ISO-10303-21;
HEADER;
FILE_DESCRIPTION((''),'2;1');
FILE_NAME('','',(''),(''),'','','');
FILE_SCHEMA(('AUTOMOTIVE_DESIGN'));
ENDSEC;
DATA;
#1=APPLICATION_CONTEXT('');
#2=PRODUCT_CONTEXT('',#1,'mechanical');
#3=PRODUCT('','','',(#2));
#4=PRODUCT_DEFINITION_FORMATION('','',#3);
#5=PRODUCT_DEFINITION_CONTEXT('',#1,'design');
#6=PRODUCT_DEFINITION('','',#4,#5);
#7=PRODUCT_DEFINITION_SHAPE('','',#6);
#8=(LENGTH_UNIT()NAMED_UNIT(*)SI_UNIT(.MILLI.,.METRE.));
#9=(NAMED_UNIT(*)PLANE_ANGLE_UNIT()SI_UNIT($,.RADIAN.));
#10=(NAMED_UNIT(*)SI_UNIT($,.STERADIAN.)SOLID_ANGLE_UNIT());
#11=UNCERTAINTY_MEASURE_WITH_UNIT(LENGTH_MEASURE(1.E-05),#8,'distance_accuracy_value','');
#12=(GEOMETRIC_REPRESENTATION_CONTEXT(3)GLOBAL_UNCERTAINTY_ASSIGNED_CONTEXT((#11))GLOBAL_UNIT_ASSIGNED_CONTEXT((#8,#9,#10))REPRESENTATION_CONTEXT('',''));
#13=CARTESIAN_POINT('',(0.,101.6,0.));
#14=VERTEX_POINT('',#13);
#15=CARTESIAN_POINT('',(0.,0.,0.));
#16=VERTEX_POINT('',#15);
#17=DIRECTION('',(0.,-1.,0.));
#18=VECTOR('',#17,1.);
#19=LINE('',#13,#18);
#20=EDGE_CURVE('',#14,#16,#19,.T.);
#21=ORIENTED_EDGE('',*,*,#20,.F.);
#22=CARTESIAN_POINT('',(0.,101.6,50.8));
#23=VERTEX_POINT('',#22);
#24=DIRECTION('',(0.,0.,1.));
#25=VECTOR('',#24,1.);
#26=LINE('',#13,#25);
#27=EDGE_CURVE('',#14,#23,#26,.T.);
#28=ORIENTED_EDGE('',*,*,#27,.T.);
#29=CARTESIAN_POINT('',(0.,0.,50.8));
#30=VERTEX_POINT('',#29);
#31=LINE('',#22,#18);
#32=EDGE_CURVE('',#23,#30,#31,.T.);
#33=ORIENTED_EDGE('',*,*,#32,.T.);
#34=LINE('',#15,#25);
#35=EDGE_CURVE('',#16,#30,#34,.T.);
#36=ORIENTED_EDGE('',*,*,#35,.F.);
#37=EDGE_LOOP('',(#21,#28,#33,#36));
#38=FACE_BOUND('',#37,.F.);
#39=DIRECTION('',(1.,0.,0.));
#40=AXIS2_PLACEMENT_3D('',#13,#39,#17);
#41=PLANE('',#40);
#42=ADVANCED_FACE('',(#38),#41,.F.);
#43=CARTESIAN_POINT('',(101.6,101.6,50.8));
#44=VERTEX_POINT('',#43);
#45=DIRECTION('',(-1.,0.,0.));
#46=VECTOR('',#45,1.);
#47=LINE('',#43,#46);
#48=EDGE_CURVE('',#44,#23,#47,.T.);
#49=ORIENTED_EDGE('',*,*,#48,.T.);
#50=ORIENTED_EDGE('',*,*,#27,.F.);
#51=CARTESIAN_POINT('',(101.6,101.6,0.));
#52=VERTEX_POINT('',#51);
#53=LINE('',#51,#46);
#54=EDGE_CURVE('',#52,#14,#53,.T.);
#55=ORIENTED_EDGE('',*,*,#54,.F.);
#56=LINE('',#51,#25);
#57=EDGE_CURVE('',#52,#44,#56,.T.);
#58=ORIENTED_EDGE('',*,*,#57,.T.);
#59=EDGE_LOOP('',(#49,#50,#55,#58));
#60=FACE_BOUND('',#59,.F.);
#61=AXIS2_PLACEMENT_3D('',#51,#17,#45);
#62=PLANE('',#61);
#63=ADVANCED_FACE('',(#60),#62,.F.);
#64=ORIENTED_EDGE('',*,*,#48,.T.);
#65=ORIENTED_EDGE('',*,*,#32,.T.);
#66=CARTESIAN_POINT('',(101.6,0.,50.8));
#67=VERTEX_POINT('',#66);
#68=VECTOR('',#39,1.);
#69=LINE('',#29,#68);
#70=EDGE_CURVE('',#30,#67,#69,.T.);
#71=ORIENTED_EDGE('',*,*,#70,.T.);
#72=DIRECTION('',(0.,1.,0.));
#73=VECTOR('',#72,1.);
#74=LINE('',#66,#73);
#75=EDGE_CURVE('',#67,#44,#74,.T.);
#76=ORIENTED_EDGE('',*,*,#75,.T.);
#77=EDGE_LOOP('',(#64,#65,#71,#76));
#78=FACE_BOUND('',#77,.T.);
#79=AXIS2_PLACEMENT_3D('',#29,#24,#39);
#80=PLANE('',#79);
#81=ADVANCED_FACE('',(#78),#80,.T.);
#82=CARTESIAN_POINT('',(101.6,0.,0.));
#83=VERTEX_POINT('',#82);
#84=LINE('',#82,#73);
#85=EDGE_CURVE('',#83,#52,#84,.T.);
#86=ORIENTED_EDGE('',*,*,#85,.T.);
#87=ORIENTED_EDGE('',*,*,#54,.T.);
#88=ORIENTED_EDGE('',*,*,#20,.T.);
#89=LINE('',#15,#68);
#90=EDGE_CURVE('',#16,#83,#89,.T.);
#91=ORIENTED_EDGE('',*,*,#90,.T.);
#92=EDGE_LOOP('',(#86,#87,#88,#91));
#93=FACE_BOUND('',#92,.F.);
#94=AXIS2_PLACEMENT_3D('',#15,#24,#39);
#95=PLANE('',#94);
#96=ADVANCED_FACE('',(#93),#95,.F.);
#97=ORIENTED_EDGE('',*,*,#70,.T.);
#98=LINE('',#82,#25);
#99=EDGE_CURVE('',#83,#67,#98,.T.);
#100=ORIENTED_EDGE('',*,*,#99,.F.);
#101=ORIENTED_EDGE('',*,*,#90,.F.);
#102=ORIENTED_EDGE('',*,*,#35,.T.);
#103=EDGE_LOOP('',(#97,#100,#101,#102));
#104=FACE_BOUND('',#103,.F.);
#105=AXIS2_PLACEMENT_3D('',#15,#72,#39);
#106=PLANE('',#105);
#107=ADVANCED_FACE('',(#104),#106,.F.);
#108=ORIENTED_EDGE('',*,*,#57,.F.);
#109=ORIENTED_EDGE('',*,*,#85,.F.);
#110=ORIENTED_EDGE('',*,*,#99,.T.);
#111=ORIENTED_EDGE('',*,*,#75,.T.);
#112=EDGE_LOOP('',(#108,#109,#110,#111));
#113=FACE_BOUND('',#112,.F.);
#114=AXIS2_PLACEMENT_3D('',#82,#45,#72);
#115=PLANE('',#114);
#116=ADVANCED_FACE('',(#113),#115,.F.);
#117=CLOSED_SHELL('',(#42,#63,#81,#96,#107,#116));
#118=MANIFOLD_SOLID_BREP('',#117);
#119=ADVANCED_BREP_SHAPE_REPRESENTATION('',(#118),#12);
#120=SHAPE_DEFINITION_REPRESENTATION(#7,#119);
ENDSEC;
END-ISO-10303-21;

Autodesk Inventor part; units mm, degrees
ref_plane "YZ Plane" through (0, 0, 0) normal (1, 0, 0) x (0, 1, 0)
ref_plane "XZ Plane" through (0, 0, 0) normal (0, 1, 0) x (-1, 0, 0)
ref_plane "XY Plane" through (0, 0, 0) normal (0, 0, 1) x (1, 0, 0)
sketch "Sketch1" plane through (0, 0, 0) normal (0, 0, 1) x (1, 0, 0)
  line L0 (0, 0) -> (101.6, 0)
  line L1 (101.6, 0) -> (101.6, 101.6)
  line L2 (101.6, 101.6) -> (0, 101.6)
  line L3 (0, 101.6) -> (0, 0)
  dimension "d0" = 101.6
  dimension "d1" = 101.6
extrude "Extrusion1" add sketch "Sketch1" along normal blind 50.8
properties part number "burner"
